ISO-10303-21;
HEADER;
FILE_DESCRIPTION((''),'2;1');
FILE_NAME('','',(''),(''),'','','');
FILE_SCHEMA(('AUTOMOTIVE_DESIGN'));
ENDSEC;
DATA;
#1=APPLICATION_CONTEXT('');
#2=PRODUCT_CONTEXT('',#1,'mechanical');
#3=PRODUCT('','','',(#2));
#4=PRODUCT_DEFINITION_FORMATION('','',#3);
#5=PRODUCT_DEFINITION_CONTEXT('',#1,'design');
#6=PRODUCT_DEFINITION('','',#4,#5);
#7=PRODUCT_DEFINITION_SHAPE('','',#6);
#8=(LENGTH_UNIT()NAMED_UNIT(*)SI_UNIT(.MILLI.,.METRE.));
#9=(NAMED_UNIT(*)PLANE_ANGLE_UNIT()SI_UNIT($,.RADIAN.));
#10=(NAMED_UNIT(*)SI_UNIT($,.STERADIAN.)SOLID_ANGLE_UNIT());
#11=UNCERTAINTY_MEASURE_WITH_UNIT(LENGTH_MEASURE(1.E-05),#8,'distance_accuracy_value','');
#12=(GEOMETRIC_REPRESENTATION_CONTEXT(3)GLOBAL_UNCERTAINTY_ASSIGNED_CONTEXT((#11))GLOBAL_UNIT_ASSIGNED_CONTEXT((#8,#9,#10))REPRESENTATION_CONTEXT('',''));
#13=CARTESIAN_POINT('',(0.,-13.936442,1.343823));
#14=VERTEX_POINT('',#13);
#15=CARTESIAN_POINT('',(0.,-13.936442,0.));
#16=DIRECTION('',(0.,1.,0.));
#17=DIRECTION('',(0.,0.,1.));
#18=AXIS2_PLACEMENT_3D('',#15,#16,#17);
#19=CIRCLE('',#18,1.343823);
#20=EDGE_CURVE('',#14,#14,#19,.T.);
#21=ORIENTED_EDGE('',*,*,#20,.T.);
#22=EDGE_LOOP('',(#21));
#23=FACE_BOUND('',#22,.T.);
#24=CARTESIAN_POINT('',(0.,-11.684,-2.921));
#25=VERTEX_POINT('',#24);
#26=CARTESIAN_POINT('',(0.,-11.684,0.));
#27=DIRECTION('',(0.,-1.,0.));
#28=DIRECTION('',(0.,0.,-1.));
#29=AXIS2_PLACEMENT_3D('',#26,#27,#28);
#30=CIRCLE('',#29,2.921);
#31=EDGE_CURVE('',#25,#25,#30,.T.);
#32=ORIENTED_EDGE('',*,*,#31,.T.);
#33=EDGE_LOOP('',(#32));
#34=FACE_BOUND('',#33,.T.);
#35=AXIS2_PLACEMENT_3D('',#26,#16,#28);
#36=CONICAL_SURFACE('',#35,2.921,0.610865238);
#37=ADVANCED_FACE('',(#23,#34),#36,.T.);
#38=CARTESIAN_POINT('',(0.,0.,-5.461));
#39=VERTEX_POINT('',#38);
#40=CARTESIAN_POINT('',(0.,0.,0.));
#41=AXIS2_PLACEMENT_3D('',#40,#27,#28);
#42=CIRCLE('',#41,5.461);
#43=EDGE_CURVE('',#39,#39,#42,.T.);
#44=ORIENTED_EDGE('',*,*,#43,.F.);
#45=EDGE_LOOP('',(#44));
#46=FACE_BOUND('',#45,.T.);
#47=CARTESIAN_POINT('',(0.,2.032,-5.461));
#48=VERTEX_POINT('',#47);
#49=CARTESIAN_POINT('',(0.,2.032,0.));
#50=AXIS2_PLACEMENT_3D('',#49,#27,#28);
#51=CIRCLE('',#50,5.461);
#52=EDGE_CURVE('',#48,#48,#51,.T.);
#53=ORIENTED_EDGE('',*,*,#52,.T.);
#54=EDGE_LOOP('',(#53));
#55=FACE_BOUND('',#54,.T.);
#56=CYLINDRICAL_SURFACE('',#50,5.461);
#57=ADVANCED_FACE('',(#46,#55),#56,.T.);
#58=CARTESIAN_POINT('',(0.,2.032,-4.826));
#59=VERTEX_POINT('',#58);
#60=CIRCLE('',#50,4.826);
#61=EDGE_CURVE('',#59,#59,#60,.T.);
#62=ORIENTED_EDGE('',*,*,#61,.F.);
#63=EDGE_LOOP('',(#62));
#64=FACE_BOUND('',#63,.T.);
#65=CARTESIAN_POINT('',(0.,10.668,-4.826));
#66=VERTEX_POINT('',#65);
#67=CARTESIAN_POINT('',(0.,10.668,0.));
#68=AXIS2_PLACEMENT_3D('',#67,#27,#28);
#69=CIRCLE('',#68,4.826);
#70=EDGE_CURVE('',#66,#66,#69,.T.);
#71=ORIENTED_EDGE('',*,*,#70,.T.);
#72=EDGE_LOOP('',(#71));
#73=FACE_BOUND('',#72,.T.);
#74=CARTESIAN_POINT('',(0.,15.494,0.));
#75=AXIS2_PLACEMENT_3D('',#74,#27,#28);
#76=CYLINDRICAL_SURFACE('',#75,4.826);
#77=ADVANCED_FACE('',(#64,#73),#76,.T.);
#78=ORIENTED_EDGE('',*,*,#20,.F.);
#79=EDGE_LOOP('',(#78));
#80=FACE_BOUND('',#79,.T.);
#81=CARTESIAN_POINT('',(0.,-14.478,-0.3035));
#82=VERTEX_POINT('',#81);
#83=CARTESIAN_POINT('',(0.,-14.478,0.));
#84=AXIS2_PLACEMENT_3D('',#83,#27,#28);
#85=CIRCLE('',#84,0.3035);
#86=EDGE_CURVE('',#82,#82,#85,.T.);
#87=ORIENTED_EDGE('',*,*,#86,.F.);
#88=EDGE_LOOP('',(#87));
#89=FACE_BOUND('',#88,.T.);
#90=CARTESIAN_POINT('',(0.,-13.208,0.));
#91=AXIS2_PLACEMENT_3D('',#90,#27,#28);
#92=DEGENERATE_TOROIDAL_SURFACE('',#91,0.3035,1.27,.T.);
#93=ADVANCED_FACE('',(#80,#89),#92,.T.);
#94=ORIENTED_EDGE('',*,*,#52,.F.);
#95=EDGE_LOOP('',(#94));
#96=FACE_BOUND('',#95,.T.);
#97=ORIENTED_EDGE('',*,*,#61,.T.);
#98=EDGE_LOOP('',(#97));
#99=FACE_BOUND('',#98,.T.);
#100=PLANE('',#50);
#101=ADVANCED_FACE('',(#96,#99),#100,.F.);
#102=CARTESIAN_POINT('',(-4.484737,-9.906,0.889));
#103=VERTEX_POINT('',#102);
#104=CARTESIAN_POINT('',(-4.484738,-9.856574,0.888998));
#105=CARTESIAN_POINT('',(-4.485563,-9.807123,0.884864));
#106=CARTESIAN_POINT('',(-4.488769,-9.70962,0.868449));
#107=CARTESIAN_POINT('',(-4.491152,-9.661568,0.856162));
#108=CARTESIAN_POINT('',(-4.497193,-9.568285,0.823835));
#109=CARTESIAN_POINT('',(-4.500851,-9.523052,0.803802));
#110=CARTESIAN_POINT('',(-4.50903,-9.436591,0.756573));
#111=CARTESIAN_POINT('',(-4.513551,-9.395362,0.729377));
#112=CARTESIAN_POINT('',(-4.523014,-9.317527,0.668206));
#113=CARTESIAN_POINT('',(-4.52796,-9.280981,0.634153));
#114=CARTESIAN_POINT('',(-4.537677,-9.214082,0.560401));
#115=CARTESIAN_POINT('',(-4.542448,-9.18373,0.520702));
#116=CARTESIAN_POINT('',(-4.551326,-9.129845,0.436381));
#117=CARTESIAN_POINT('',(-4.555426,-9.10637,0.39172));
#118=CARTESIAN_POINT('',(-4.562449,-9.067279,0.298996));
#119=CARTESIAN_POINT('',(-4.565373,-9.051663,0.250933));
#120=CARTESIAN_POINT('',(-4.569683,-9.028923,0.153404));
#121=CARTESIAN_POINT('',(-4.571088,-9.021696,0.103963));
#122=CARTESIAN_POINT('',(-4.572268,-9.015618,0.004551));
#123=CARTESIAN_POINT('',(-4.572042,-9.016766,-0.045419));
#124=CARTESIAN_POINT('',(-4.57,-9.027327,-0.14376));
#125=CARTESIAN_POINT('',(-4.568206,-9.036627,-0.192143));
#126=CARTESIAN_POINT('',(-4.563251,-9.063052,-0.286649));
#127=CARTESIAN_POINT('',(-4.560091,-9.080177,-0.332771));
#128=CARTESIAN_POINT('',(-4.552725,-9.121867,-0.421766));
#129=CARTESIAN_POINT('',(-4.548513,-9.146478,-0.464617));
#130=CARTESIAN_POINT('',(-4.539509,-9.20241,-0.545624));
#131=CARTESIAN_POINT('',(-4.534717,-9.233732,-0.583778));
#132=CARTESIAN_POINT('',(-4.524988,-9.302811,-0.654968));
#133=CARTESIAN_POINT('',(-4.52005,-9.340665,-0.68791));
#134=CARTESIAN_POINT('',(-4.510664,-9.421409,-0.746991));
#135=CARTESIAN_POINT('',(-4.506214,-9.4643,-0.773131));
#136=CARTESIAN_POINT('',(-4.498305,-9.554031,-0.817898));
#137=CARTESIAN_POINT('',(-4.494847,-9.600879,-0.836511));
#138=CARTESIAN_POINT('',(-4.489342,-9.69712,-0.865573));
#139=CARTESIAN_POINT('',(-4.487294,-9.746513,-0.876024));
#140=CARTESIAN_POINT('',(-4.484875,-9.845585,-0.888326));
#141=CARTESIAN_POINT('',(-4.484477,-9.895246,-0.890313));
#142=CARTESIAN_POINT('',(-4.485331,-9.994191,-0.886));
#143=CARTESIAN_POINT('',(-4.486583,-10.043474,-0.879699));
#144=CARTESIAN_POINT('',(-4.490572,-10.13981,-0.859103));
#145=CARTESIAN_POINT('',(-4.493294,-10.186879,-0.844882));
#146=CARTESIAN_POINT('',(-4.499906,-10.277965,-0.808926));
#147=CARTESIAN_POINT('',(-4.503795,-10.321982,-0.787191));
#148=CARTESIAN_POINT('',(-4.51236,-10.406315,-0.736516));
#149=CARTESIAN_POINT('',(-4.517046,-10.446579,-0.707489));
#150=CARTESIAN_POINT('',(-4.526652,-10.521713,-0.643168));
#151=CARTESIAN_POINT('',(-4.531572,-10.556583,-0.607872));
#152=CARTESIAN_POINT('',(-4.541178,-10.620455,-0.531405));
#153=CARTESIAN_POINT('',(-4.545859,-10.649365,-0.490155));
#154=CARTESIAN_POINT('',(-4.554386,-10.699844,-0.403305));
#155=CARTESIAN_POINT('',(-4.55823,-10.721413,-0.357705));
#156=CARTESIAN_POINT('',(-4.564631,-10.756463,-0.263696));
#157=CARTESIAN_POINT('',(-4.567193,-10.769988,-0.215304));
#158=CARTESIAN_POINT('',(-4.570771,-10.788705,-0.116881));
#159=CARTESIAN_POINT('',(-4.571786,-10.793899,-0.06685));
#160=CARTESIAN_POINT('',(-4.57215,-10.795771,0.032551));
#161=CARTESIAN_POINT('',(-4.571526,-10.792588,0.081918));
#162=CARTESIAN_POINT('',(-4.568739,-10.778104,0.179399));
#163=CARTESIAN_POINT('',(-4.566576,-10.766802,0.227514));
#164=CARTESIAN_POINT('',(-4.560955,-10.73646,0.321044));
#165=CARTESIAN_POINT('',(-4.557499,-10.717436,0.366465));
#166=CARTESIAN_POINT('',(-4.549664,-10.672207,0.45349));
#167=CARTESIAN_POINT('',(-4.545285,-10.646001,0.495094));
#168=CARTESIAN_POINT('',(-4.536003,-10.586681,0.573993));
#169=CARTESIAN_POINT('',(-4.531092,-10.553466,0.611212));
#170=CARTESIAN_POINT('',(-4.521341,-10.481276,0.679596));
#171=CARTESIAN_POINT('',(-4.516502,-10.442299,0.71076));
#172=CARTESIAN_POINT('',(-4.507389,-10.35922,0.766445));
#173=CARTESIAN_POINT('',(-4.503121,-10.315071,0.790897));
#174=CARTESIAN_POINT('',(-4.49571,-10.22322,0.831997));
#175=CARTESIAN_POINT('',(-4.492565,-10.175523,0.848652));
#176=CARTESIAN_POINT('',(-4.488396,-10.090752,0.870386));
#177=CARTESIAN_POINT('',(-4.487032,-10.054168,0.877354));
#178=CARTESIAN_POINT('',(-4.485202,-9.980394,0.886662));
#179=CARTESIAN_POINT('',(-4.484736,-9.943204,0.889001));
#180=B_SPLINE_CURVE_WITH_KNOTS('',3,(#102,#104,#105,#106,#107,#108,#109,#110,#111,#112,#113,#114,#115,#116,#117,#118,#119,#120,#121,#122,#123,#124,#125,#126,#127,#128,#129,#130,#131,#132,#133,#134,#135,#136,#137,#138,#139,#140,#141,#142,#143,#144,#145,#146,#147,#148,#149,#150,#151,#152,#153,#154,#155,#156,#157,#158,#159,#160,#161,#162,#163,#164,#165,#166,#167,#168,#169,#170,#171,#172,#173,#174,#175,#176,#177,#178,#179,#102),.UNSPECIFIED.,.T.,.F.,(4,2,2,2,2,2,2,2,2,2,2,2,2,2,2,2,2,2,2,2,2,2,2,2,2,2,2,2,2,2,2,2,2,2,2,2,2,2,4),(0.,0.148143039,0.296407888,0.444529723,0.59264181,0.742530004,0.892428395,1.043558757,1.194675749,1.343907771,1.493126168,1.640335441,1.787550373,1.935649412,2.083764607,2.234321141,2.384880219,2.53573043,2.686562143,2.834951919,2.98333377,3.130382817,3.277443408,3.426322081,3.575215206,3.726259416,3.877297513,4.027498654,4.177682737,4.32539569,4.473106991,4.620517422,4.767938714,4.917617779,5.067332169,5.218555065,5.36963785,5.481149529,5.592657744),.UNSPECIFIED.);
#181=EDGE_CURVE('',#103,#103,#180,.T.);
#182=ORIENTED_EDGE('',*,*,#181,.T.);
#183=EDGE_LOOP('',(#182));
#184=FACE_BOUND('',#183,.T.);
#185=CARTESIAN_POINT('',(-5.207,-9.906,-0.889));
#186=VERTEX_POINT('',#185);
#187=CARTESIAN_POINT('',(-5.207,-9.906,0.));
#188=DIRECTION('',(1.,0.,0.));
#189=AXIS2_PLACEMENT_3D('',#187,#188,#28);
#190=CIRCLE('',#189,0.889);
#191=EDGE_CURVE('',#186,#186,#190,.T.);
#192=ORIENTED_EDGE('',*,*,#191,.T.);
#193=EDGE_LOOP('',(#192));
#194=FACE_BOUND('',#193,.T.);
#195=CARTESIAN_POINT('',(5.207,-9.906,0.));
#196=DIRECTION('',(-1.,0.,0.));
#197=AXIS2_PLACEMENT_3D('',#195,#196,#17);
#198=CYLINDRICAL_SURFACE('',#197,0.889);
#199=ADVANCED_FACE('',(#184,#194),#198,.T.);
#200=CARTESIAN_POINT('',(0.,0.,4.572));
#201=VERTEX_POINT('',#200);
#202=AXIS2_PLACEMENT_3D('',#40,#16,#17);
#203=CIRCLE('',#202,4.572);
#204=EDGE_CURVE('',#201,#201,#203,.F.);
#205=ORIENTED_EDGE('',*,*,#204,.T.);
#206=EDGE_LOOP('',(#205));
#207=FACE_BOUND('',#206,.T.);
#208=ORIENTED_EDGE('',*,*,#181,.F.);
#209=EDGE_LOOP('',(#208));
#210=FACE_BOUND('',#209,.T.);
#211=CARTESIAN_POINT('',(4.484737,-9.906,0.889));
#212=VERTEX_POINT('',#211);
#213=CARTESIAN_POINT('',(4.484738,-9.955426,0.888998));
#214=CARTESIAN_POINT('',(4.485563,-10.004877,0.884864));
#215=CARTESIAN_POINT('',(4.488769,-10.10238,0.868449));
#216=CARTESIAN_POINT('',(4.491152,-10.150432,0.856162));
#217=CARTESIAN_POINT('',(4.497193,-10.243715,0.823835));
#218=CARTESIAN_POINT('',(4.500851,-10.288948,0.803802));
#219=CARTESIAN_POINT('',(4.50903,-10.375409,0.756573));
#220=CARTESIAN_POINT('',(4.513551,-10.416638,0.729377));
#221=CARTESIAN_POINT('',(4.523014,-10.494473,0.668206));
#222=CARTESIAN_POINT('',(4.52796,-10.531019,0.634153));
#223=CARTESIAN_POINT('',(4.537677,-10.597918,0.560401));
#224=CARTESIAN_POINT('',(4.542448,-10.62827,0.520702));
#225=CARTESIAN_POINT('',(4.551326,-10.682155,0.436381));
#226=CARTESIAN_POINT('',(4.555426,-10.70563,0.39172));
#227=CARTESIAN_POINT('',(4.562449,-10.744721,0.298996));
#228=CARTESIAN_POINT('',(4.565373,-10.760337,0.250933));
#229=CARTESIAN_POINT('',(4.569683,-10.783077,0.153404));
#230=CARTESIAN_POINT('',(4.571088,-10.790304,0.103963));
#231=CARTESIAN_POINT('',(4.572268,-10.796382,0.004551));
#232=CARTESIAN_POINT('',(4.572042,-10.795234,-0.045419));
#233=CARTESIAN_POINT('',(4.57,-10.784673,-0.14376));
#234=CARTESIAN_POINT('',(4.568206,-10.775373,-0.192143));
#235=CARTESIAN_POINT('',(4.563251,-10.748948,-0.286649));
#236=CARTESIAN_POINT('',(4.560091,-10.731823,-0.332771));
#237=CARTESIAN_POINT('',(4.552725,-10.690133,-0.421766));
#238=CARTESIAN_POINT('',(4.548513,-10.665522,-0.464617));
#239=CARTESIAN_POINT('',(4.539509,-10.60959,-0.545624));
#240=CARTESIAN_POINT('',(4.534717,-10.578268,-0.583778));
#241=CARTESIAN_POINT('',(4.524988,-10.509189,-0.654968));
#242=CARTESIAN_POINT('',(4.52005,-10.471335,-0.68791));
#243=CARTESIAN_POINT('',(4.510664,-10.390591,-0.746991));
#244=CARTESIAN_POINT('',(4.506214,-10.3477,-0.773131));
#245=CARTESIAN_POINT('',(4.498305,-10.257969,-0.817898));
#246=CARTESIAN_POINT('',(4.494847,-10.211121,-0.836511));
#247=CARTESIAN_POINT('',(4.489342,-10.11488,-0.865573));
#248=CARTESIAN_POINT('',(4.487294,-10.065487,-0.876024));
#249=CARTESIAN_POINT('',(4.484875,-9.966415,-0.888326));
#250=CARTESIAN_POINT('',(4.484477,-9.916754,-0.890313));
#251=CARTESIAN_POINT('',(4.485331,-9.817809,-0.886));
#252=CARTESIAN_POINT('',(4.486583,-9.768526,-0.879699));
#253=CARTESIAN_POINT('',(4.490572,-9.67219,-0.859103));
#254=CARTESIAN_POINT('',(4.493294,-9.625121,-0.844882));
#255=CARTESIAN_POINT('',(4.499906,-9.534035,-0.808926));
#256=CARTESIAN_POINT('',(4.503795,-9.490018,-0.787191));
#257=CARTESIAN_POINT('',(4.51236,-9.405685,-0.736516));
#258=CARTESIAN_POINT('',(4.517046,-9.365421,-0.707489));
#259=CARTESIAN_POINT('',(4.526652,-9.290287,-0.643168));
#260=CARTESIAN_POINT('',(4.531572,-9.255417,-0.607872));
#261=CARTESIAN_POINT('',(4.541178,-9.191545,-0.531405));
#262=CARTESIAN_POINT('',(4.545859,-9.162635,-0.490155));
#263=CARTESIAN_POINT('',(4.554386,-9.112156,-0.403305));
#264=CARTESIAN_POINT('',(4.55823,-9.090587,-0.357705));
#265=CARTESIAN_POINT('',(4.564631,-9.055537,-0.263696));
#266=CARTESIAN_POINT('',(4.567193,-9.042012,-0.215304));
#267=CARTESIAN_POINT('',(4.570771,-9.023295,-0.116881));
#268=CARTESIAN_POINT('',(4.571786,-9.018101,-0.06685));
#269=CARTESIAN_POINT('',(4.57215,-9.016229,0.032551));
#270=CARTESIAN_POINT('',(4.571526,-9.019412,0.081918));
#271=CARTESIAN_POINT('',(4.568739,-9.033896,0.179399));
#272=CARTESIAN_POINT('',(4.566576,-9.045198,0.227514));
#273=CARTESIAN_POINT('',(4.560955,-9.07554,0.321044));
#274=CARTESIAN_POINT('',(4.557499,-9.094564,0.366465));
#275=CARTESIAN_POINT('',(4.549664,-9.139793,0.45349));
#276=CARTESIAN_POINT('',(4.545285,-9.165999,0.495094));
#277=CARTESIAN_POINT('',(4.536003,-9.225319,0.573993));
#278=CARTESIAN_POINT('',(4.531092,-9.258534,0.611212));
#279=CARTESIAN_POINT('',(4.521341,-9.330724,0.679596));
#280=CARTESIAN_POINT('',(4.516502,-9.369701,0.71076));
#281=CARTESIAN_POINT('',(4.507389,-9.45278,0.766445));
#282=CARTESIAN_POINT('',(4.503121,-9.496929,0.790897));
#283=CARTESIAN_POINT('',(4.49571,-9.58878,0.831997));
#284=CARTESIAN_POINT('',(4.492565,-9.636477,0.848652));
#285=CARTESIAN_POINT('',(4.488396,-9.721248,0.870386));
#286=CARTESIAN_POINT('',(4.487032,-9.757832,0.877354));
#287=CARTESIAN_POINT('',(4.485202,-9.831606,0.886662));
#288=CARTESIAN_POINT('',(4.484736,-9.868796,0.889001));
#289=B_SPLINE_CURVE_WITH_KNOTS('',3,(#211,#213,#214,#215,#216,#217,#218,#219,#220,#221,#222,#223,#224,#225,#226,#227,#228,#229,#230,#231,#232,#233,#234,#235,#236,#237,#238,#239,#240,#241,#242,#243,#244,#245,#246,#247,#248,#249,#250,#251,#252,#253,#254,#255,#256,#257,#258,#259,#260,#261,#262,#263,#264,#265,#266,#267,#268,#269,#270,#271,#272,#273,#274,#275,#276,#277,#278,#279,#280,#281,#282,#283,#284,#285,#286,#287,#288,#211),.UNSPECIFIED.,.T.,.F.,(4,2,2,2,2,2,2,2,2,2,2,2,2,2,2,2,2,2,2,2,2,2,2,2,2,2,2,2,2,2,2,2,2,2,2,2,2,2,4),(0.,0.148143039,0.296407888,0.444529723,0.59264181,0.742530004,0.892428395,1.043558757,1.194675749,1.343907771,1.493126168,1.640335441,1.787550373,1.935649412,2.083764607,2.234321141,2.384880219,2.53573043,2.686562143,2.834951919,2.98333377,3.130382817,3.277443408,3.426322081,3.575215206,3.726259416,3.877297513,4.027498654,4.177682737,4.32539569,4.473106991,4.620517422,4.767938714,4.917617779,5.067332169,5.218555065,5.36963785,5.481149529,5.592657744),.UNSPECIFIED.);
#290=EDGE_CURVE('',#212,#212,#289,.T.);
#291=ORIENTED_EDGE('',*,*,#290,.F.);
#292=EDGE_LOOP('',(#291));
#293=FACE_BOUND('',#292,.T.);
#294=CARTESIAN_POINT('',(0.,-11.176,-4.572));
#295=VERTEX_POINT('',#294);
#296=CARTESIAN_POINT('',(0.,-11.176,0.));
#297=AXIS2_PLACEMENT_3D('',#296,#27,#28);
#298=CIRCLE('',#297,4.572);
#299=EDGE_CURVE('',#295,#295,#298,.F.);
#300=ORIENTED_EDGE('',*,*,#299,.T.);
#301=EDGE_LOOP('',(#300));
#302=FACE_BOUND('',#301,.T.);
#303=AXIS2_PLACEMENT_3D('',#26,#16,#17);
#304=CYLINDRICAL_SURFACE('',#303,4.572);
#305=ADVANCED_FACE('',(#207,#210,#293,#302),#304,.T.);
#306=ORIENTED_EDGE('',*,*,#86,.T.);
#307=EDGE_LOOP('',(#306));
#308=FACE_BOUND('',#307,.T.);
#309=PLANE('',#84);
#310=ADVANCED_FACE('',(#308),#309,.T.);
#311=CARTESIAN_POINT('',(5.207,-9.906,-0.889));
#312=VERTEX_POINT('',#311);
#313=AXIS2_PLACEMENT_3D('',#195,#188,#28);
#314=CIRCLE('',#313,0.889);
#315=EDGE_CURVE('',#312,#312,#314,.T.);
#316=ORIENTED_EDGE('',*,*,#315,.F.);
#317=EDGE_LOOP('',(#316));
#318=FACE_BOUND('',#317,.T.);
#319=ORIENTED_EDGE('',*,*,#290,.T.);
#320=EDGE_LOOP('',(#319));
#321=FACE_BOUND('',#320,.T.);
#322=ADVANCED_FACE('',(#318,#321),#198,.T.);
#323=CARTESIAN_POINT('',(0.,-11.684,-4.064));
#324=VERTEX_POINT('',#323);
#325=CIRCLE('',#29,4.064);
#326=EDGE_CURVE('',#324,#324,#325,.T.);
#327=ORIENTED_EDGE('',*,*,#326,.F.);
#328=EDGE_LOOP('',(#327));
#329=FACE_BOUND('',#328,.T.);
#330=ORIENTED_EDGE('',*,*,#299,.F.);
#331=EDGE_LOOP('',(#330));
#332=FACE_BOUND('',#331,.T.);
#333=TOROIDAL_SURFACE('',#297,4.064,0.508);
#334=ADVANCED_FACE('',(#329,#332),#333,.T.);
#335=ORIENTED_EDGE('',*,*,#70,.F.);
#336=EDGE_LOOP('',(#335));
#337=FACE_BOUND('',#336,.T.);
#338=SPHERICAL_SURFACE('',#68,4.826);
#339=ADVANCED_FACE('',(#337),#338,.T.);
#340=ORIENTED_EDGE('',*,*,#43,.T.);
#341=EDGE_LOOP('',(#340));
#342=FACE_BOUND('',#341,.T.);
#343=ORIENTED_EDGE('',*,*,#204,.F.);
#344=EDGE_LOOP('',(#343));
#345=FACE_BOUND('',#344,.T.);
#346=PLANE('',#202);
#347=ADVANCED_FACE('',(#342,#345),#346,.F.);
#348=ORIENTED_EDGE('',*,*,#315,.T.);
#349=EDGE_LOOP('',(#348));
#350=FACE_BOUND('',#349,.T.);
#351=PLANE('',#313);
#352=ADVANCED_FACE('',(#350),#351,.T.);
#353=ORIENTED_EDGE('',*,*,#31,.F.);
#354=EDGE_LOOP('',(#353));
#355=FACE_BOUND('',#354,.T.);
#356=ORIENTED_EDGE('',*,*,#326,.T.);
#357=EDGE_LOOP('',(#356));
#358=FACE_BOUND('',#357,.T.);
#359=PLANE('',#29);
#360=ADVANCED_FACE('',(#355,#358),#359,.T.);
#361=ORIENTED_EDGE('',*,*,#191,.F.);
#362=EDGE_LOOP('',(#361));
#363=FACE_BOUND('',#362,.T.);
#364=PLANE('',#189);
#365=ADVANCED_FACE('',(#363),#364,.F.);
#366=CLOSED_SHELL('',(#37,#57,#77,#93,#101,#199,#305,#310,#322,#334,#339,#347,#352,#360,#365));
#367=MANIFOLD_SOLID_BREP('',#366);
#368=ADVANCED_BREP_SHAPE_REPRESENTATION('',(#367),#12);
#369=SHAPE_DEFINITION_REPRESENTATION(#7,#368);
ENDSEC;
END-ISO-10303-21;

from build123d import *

# Parameters (mm, degrees)
SKETCH2_R           = 4.826
BOSS_EXTRUDE1_DEPTH = 15.494
FILLET1_R           = 4.826
SKETCH3_R           = 5.461
BOSS_EXTRUDE2_DEPTH = 2.032
SKETCH4_R           = 4.572
BOSS_EXTRUDE3_DEPTH = 11.684
SKETCH5_R           = 2.921
BOSS_EXTRUDE4_DEPTH = 2.794
BOSS_EXTRUDE4_TAPER = 35
FILLET2_R           = 1.27
FILLET3_R           = 0.508
SKETCH6_R           = 0.889
BOSS_EXTRUDE5_DEPTH = 5.207


with BuildPart() as part:
    # Sketch2 → Boss-Extrude1 (new body)
    with BuildSketch(Plane(origin=(0, 0, 0), x_dir=(1, 0, 0), z_dir=(0, 1, 0))):
        with Locations(Location((0, 0, 0), (0, 0, 270))):  # turned: the seam where the file's is
            Circle(SKETCH2_R)
    extrude(amount=BOSS_EXTRUDE1_DEPTH)

    # Fillet1
    fillet1_edges = [part.edges().sort_by_distance(p)[0] for p in [
        (0, 15.494, -4.826),
    ]]
    fillet(fillet1_edges, radius=FILLET1_R)

    # Sketch3 → Boss-Extrude2 (add)
    with BuildSketch(Plane.XZ):
        with Locations(Location((0, 0, 0), (0, 0, 270))):  # turned: the seam where the file's is
            Circle(SKETCH3_R)
    extrude(amount=-BOSS_EXTRUDE2_DEPTH)

    # Sketch4 → Boss-Extrude3 (add)
    with BuildSketch(Plane.XZ):
        with Locations(Location((0, 0, 0), (0, 0, 90))):  # turned: the seam where the file's is
            Circle(SKETCH4_R)
    extrude(amount=BOSS_EXTRUDE3_DEPTH)

    # Sketch5 → Boss-Extrude4 (add)
    with BuildSketch(Plane.XZ.offset(11.684)):
        Circle(SKETCH5_R)
    extrude(amount=BOSS_EXTRUDE4_DEPTH, taper=BOSS_EXTRUDE4_TAPER)

    # Fillet2
    fillet2_edges = [part.edges().sort_by_distance(p)[0] for p in [
        (-0.964620138, -14.478, 0),
    ]]
    fillet(fillet2_edges, radius=FILLET2_R)

    # Fillet3
    fillet3_edges = [part.edges().sort_by_distance(p)[0] for p in [
        (0, -11.684, -4.572),
    ]]
    fillet(fillet3_edges, radius=FILLET3_R)

    # Sketch6 → Boss-Extrude5 (add, symmetric)
    with BuildSketch(Plane(origin=(0, 0, 0), x_dir=(0, 0, -1), z_dir=(1, 0, 0))):
        with Locations(Location((0, -9.906, 0), (0, 0, 180))):  # turned: the seam where the file's is
            Circle(SKETCH6_R)
    extrude(amount=BOSS_EXTRUDE5_DEPTH, both=True)


solid = part.part
